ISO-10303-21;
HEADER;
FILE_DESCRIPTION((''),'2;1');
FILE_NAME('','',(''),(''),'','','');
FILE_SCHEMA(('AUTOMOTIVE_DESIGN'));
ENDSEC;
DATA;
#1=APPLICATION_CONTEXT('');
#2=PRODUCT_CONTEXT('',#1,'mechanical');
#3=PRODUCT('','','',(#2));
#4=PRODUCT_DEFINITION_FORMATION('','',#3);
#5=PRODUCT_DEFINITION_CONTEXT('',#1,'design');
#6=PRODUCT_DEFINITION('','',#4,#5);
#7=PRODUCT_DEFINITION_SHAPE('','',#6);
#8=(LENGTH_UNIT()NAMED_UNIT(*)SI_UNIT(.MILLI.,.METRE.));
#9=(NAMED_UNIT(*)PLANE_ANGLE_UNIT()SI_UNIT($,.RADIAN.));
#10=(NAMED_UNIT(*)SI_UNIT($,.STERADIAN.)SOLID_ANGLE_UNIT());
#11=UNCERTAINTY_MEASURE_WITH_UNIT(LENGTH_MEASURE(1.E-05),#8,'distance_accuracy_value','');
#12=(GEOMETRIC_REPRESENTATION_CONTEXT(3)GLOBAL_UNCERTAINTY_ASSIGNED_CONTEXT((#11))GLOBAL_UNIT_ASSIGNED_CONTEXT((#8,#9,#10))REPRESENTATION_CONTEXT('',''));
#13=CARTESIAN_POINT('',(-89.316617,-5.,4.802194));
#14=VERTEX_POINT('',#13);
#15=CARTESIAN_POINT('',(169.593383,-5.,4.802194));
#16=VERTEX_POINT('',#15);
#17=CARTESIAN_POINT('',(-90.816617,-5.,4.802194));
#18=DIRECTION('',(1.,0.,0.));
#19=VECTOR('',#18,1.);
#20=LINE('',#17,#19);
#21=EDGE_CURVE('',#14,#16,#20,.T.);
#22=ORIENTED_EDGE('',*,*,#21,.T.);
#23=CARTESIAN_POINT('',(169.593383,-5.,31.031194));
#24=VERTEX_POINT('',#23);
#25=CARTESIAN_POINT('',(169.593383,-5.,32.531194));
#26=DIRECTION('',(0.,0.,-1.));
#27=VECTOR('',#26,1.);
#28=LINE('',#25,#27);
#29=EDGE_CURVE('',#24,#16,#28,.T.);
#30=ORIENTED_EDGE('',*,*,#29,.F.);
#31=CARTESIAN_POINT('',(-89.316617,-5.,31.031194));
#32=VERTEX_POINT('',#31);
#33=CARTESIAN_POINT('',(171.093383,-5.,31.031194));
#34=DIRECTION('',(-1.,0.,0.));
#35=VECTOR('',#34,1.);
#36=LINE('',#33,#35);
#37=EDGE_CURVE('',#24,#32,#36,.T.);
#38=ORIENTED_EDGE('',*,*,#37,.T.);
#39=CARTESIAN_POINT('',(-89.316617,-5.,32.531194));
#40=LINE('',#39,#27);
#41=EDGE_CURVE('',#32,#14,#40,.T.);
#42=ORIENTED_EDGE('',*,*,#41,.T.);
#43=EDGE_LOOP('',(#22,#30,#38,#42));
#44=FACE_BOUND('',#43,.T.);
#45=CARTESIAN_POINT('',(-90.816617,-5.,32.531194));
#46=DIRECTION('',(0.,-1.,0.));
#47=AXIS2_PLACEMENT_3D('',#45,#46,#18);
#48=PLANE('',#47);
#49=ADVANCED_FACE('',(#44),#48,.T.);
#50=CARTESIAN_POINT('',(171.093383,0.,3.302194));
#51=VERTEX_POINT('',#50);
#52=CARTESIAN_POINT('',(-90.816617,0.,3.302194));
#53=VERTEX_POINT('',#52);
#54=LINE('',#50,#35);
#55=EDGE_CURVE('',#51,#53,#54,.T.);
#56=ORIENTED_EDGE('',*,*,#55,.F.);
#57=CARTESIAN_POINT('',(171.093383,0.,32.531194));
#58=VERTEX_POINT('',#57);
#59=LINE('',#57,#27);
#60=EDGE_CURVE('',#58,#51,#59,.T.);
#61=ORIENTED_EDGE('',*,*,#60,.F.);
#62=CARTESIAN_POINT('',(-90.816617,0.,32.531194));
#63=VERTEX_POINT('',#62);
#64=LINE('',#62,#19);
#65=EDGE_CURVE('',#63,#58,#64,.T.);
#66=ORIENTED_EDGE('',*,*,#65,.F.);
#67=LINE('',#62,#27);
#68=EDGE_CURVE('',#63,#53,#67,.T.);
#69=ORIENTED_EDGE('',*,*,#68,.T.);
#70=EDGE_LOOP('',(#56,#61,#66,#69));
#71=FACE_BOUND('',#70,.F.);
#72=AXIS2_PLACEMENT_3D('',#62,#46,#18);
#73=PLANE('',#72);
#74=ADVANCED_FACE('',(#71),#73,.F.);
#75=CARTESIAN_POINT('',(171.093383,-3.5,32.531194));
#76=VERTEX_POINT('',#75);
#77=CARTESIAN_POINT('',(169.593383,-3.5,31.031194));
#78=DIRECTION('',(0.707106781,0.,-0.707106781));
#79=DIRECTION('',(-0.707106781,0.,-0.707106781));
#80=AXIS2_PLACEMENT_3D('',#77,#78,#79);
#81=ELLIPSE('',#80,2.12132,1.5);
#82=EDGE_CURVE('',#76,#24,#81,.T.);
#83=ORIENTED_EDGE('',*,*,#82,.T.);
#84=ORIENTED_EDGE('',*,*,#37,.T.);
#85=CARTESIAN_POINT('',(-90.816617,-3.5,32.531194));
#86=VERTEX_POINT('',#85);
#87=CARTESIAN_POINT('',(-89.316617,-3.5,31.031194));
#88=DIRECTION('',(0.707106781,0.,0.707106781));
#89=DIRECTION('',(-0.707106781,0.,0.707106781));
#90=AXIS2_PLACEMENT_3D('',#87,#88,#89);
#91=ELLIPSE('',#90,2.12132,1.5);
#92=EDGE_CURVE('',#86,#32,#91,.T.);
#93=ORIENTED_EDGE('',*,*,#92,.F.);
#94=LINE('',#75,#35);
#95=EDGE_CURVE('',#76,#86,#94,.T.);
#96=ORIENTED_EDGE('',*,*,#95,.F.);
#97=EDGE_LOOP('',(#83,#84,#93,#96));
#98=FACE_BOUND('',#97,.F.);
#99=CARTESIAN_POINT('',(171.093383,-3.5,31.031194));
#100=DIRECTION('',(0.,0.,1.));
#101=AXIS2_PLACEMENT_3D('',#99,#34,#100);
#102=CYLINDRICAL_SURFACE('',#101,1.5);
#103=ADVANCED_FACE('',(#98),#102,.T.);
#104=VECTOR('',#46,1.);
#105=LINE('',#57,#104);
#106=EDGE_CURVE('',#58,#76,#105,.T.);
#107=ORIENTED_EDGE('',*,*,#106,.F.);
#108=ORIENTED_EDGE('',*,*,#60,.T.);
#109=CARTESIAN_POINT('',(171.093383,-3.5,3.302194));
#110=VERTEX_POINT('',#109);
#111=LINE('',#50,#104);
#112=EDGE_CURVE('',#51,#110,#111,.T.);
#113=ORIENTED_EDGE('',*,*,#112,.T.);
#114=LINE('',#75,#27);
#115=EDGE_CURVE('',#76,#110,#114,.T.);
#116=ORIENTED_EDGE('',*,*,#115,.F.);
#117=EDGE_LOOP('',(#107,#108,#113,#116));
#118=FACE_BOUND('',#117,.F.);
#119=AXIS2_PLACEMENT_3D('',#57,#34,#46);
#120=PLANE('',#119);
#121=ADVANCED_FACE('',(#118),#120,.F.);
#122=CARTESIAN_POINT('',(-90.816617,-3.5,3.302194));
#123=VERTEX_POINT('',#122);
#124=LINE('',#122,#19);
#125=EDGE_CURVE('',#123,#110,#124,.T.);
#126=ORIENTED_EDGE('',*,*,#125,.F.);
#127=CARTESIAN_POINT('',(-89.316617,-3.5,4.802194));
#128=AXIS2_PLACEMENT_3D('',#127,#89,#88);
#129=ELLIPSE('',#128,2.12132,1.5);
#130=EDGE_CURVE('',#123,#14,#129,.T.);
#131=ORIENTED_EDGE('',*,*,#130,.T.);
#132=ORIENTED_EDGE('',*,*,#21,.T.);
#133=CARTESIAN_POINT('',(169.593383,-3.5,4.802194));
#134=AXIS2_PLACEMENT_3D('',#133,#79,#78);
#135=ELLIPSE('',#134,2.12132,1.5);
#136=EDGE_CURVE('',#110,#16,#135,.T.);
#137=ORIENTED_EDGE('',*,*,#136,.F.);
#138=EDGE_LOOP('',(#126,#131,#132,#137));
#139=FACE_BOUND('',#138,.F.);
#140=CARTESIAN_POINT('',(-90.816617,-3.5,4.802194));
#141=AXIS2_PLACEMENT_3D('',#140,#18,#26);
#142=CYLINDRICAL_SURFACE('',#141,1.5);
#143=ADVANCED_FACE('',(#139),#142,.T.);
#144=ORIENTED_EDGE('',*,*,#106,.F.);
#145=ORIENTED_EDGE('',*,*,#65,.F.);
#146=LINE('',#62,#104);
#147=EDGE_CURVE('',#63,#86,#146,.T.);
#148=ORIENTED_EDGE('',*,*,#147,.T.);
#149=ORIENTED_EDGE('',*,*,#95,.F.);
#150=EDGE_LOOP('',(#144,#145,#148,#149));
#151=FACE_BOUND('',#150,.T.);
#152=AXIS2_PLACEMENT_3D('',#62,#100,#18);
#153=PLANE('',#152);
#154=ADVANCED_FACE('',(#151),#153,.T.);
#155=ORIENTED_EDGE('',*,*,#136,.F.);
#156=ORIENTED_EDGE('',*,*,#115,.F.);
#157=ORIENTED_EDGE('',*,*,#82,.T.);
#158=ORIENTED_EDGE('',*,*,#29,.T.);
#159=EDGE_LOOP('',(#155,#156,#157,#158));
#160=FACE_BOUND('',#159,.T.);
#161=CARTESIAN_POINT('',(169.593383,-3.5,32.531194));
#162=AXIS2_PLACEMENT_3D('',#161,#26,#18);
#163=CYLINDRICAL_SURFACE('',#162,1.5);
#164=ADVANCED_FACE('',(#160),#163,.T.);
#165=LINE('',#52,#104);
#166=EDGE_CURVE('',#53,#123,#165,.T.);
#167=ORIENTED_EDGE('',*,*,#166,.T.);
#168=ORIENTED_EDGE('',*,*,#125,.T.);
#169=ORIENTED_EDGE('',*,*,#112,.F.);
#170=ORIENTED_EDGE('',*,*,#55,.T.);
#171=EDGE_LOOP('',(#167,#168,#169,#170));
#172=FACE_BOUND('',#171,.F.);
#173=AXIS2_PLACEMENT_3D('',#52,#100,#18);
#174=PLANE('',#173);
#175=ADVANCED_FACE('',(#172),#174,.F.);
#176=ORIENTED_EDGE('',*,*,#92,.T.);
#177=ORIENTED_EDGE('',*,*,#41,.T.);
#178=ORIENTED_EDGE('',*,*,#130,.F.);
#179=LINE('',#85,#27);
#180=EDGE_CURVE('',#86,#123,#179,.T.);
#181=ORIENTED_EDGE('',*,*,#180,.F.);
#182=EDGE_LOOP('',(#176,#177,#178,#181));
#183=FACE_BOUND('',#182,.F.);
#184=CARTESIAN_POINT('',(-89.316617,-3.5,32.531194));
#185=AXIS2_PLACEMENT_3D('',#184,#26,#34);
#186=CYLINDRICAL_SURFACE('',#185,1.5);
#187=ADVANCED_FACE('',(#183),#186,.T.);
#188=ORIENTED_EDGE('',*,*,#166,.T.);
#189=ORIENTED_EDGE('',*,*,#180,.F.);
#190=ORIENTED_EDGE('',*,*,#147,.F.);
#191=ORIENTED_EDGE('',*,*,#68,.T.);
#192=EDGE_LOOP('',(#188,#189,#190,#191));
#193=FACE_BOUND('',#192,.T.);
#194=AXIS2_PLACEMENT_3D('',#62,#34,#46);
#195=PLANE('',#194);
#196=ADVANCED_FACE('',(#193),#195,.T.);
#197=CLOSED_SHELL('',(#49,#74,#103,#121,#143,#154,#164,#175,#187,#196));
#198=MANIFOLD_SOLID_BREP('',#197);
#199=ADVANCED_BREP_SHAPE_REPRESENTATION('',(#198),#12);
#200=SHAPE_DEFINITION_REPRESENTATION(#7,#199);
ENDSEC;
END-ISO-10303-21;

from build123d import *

# Parameters (mm, degrees)
F0_W     = 181.633234024
F0_H     = 57.9366758466
F1_DEPTH = 5
F2_DEPTH = 29.229
F3_DEPTH = 261.91
F4_R     = 1.5


with BuildPart() as f1:
    # F0 (on Front) → F1 (new body)
    with BuildSketch(Plane.XZ):
        with Locations((0, 3.5628564656)):
            Rectangle(F0_W, F0_H)
    extrude(amount=F1_DEPTH)

    # F2 (intersect): a face of the model
    f2_faces = [f1.faces().sort_by_distance(p)[0] for p in [
        (0, -2.5, 32.5311943889),
    ]]
    extrude(f2_faces, amount=-F2_DEPTH, mode=Mode.INTERSECT)

    # F3 (add): a face of the model
    f3_faces = [f1.faces().sort_by_distance(p)[0] for p in [
        (-90.816617012, -2.5, 17.9166943889),
    ]]
    extrude(f3_faces, amount=-F3_DEPTH)

    # F4
    f4_edges = [f1.edges().sort_by_distance(p)[0] for p in [
        (40.138383, -5, 3.302194),
        (171.093383, -5, 17.916694),
        (40.138383, -5, 32.531194),
        (-90.816617, -5, 17.916694),
    ]]
    fillet(f4_edges, radius=F4_R)


solid = f1.part
